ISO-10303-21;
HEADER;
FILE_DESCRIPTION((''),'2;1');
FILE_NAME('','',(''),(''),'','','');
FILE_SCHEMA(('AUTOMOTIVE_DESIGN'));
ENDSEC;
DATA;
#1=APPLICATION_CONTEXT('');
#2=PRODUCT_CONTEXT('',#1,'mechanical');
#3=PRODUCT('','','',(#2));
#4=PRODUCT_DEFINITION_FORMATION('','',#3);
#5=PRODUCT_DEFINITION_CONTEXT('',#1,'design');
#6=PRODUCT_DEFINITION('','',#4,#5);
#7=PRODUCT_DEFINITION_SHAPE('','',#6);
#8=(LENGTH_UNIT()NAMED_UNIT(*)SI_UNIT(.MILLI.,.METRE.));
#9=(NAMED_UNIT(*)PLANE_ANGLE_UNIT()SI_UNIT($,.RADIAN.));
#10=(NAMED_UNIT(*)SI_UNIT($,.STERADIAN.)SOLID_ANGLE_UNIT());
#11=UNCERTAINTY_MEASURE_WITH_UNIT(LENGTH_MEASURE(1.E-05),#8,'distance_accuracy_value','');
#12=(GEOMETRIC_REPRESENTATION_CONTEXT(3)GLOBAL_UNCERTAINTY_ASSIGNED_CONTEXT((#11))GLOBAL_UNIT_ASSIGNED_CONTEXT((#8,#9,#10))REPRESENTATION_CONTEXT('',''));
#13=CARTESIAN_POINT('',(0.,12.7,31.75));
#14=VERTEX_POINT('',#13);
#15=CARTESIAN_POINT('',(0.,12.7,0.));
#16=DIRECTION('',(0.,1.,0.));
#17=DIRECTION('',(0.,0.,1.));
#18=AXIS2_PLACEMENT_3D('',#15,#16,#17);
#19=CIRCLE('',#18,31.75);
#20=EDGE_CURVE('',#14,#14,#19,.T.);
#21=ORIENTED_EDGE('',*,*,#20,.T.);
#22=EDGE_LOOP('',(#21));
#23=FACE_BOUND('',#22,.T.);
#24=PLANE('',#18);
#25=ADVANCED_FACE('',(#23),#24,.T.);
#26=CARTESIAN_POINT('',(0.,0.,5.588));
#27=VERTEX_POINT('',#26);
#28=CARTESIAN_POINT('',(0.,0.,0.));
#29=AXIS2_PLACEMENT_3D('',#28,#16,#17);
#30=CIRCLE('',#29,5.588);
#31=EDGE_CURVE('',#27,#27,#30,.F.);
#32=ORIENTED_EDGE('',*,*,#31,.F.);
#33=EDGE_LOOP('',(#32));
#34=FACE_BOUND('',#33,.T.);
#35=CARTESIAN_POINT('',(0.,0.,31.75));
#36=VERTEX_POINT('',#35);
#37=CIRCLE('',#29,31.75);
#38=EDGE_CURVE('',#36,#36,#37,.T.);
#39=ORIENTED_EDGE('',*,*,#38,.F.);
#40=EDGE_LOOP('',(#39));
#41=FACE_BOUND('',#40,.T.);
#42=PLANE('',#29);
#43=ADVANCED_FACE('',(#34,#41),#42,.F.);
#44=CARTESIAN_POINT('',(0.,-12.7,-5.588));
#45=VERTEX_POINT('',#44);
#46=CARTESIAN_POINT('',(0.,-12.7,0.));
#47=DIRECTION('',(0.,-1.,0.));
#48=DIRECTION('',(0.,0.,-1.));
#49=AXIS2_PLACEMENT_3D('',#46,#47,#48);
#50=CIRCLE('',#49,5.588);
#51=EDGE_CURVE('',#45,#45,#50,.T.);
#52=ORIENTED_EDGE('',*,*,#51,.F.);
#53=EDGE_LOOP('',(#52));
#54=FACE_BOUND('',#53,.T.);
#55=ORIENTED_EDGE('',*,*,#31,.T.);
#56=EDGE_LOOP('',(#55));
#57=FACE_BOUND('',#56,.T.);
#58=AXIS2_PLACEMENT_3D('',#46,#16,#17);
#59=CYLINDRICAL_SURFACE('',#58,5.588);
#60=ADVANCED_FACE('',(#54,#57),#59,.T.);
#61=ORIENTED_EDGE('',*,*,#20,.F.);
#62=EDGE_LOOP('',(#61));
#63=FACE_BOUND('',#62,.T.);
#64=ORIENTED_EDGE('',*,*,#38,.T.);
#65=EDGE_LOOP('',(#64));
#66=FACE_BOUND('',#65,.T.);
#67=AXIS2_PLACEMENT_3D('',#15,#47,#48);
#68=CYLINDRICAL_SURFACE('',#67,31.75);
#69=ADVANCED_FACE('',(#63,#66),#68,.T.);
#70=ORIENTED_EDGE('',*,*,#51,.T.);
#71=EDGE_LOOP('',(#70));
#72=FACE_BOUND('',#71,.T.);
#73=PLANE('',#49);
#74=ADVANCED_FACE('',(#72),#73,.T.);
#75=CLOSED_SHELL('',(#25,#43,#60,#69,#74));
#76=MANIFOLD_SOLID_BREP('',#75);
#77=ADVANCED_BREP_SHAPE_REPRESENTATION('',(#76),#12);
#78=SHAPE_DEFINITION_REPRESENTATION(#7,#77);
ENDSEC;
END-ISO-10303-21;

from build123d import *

# Parameters (mm, degrees)
SKETCH1_R           = 31.75
BOSS_EXTRUDE1_DEPTH = 12.7
SKETCH2_R           = 5.588
BOSS_EXTRUDE2_DEPTH = 12.7


with BuildPart() as part:
    # Sketch1 → Boss-Extrude1 (new body)
    with BuildSketch(Plane(origin=(0, 0, 0), x_dir=(1, 0, 0), z_dir=(0, 1, 0))):
        Circle(SKETCH1_R)
    extrude(amount=BOSS_EXTRUDE1_DEPTH)

    # Sketch2 → Boss-Extrude2 (add)
    with BuildSketch(Plane.XZ):
        Circle(SKETCH2_R)
    extrude(amount=BOSS_EXTRUDE2_DEPTH)


solid = part.part
